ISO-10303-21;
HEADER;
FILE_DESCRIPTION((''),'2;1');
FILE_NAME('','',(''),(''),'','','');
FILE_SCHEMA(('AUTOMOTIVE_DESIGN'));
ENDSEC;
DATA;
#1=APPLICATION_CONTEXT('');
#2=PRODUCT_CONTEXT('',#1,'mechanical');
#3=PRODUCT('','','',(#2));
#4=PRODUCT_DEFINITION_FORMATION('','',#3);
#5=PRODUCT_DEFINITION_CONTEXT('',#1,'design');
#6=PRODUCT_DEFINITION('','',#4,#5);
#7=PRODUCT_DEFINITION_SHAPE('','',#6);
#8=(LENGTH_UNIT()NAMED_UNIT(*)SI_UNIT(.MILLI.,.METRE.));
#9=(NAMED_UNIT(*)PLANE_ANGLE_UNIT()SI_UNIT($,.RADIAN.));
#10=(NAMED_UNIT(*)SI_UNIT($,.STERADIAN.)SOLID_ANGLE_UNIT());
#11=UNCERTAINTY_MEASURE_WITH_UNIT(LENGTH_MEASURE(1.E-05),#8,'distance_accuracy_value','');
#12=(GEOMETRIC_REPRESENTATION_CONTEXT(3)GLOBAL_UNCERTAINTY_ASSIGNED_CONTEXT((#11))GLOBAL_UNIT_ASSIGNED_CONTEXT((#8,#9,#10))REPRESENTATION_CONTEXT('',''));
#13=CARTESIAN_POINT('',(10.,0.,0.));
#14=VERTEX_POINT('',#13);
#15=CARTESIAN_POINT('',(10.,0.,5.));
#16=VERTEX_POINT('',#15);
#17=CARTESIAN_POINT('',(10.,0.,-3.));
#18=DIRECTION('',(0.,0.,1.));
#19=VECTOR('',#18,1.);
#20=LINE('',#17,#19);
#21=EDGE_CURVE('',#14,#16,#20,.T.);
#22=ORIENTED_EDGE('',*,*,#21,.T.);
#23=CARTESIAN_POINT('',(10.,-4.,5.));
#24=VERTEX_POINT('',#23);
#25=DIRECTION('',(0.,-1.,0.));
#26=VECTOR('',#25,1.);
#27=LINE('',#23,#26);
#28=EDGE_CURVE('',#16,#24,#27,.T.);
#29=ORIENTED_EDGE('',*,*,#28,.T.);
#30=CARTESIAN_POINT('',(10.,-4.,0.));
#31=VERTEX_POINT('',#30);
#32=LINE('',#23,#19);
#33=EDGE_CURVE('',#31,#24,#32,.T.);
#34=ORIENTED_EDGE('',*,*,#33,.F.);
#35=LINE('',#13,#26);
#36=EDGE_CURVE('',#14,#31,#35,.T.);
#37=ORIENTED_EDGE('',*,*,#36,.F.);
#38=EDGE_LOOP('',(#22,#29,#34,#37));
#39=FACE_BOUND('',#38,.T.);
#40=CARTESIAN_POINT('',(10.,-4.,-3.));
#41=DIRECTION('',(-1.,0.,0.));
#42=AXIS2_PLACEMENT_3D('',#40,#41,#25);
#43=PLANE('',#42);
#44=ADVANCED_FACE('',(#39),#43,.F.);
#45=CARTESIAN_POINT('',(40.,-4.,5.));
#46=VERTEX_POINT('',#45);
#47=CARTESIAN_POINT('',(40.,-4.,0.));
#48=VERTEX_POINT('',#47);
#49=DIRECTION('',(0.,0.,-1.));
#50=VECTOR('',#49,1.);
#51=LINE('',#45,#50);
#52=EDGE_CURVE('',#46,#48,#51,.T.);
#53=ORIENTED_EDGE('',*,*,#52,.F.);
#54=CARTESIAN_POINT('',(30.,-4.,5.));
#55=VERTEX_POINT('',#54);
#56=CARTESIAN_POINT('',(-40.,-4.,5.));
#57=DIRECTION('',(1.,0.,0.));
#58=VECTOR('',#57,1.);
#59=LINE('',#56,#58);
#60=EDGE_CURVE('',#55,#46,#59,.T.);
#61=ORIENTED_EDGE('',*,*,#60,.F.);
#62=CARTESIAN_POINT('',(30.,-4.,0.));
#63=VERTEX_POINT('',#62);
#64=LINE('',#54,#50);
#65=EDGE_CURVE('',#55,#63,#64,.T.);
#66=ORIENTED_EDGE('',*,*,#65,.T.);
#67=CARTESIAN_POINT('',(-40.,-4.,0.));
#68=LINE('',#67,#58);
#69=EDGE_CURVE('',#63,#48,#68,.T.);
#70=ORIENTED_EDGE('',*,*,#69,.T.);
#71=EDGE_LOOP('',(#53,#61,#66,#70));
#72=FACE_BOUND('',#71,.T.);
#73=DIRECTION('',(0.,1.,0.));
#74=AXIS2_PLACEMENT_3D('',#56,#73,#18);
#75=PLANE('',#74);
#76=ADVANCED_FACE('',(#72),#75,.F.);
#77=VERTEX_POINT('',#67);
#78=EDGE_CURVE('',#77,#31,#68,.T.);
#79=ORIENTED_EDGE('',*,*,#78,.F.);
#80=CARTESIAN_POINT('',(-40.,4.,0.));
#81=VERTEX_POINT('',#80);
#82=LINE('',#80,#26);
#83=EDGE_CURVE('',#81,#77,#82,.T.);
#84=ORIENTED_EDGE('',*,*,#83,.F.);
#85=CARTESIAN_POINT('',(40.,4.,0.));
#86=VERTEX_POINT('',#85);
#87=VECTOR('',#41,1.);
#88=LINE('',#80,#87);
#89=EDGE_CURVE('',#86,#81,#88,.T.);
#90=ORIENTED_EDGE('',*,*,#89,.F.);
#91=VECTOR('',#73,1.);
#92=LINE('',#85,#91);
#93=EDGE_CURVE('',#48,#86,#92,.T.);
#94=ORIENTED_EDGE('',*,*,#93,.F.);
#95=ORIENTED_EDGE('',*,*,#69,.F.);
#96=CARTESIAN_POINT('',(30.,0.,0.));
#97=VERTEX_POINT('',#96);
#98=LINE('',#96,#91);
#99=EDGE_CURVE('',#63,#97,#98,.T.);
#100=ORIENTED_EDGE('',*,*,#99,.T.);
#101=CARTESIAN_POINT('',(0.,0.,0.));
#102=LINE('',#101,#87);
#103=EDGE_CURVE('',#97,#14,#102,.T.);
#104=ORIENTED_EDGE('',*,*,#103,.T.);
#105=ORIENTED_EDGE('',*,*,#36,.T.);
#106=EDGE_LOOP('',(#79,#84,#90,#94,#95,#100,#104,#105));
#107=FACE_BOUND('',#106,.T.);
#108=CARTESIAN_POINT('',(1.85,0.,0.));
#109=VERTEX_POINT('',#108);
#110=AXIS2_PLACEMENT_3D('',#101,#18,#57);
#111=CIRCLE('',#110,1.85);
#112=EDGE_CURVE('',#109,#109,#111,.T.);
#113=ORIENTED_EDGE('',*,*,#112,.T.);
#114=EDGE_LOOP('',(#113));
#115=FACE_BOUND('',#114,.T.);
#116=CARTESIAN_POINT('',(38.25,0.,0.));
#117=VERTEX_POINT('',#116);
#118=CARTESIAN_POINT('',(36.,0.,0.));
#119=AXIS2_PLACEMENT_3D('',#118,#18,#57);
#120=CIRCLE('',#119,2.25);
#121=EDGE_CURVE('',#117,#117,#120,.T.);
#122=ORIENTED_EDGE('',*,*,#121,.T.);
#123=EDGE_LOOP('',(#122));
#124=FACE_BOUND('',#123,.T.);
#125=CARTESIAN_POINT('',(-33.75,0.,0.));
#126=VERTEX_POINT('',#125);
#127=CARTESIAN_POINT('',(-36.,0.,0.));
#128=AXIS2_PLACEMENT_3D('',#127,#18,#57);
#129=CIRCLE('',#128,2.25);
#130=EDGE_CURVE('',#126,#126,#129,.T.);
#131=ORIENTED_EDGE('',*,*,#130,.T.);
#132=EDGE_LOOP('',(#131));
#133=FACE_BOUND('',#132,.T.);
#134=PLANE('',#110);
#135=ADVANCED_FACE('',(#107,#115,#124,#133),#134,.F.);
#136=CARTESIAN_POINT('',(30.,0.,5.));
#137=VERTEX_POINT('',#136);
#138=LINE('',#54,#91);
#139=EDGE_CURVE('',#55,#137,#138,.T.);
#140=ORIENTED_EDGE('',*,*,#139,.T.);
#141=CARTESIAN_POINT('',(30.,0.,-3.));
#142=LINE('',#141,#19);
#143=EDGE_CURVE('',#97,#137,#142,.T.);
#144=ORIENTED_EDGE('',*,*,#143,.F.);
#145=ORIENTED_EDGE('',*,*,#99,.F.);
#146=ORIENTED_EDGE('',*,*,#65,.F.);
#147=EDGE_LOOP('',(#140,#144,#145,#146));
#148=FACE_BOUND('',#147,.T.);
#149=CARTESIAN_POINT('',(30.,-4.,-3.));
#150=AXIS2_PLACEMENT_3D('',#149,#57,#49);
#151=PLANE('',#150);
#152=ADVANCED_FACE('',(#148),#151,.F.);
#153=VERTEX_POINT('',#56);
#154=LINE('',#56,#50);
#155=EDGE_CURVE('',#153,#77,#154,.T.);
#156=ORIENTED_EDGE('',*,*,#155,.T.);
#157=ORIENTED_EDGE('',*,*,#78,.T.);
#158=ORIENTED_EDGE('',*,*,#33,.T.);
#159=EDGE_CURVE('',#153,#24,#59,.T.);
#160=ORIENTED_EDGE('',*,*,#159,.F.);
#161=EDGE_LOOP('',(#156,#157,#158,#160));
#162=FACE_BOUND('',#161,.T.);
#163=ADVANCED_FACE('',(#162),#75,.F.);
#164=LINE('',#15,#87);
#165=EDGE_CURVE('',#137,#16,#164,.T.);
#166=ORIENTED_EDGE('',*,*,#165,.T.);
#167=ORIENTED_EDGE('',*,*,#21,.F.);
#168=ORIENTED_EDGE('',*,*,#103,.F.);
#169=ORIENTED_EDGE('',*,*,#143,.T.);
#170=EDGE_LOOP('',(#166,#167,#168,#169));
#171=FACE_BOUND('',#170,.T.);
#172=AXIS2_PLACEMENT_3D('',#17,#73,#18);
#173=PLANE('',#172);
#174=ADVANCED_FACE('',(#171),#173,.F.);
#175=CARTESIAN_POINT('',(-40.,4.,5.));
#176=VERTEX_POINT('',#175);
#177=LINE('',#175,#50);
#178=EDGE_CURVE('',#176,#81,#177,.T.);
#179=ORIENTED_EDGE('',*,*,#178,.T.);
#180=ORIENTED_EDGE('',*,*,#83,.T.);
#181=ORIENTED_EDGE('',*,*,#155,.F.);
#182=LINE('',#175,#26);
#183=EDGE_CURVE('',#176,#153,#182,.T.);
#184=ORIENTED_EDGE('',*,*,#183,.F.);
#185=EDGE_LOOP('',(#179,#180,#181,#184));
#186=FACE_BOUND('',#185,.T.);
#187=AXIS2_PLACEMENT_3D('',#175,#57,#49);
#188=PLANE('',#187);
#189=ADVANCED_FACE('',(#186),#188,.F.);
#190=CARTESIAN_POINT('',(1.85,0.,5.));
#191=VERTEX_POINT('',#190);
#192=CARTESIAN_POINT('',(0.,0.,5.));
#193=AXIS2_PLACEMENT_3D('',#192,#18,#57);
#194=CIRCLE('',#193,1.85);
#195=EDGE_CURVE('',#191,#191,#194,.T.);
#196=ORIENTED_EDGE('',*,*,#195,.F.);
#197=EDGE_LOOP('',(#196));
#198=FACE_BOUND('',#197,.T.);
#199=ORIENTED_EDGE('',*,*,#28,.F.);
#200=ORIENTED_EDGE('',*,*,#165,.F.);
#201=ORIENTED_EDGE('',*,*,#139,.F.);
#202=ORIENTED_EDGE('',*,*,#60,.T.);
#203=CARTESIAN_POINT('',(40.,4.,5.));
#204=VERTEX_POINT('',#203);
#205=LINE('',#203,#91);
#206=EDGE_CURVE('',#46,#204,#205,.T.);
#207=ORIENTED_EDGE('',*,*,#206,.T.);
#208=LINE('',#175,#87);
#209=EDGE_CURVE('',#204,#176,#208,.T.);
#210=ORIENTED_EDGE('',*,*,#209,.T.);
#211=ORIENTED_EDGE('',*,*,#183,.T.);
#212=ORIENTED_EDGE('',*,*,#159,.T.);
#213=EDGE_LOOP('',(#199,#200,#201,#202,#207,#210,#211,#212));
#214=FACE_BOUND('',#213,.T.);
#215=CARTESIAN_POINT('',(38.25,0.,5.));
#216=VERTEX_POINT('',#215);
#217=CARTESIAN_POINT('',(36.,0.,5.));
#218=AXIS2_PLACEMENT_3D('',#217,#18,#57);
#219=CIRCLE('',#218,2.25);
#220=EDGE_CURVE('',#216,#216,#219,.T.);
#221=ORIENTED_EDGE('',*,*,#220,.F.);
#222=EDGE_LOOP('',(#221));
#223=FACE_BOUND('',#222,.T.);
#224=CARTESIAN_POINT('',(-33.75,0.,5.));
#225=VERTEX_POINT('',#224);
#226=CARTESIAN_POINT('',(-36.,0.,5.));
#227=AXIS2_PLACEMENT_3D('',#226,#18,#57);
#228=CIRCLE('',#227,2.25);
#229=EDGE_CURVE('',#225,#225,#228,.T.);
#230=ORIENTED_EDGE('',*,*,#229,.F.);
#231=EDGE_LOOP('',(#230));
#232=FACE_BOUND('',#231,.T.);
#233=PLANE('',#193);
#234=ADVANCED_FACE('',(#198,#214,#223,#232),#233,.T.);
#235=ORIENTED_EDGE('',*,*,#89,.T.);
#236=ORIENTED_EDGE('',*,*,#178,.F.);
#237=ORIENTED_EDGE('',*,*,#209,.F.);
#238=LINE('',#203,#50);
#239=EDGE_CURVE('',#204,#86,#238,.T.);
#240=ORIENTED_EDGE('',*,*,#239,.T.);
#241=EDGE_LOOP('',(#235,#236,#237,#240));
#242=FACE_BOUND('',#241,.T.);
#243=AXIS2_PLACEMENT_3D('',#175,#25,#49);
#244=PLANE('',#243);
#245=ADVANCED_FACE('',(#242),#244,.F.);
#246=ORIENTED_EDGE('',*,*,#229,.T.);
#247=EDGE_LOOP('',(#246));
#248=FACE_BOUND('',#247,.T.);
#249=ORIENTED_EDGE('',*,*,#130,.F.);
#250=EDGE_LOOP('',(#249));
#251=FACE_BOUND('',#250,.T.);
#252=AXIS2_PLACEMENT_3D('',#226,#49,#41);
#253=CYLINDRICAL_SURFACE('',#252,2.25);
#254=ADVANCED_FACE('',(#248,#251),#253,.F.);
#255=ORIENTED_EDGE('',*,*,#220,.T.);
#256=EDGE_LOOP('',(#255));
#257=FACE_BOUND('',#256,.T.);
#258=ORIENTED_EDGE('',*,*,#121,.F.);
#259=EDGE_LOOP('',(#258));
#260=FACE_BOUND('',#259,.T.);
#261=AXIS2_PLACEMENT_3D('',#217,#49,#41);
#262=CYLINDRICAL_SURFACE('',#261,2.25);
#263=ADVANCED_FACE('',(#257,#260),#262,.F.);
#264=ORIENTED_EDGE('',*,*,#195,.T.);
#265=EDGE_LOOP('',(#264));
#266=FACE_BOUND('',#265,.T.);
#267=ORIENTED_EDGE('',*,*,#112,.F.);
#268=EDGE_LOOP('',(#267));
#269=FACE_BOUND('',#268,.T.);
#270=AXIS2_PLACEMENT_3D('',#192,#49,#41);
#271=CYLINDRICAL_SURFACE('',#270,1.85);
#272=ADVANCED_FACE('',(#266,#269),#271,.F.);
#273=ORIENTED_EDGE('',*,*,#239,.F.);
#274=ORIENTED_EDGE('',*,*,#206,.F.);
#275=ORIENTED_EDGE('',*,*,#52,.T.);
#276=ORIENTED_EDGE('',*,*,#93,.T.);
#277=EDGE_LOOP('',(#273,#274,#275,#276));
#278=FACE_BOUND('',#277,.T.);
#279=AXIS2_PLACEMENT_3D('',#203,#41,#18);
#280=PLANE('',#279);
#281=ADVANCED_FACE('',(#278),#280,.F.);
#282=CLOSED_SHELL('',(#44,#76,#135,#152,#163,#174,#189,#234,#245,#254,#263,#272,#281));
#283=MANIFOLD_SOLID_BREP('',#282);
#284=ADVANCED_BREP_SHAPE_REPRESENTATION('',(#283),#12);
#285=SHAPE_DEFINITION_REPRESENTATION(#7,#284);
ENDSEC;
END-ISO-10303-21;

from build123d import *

# Parameters (mm, degrees)
SCHIZZO1_W                   = 80
SCHIZZO1_H                   = 8
SCHIZZO1_R                   = 2.25
SCHIZZO1_R_2                 = 1.85
ESTRUSIONE_ESTRUSIONE1_DEPTH = 5
SCHIZZO2_W                   = 20
SCHIZZO2_H                   = 4
TAGLIO_ESTRUSIONE1_DEPTH     = 8


with BuildPart() as part:
    # Schizzo1 → Estrusione-Estrusione1 (new body)
    with BuildSketch(Plane.XY):
        Rectangle(SCHIZZO1_W, SCHIZZO1_H)
        with Locations((-36, 0)):
            Circle(SCHIZZO1_R, mode=Mode.SUBTRACT)
        Circle(SCHIZZO1_R_2, mode=Mode.SUBTRACT)
        with Locations((36, 0)):
            Circle(SCHIZZO1_R, mode=Mode.SUBTRACT)
    extrude(amount=ESTRUSIONE_ESTRUSIONE1_DEPTH)

    # Schizzo2 → Taglio-Estrusione1 (cut)
    with BuildSketch(Plane.XY.offset(5)):
        with Locations((20, -2)):
            Rectangle(SCHIZZO2_W, SCHIZZO2_H)
    extrude(amount=-TAGLIO_ESTRUSIONE1_DEPTH, mode=Mode.SUBTRACT)


solid = part.part
